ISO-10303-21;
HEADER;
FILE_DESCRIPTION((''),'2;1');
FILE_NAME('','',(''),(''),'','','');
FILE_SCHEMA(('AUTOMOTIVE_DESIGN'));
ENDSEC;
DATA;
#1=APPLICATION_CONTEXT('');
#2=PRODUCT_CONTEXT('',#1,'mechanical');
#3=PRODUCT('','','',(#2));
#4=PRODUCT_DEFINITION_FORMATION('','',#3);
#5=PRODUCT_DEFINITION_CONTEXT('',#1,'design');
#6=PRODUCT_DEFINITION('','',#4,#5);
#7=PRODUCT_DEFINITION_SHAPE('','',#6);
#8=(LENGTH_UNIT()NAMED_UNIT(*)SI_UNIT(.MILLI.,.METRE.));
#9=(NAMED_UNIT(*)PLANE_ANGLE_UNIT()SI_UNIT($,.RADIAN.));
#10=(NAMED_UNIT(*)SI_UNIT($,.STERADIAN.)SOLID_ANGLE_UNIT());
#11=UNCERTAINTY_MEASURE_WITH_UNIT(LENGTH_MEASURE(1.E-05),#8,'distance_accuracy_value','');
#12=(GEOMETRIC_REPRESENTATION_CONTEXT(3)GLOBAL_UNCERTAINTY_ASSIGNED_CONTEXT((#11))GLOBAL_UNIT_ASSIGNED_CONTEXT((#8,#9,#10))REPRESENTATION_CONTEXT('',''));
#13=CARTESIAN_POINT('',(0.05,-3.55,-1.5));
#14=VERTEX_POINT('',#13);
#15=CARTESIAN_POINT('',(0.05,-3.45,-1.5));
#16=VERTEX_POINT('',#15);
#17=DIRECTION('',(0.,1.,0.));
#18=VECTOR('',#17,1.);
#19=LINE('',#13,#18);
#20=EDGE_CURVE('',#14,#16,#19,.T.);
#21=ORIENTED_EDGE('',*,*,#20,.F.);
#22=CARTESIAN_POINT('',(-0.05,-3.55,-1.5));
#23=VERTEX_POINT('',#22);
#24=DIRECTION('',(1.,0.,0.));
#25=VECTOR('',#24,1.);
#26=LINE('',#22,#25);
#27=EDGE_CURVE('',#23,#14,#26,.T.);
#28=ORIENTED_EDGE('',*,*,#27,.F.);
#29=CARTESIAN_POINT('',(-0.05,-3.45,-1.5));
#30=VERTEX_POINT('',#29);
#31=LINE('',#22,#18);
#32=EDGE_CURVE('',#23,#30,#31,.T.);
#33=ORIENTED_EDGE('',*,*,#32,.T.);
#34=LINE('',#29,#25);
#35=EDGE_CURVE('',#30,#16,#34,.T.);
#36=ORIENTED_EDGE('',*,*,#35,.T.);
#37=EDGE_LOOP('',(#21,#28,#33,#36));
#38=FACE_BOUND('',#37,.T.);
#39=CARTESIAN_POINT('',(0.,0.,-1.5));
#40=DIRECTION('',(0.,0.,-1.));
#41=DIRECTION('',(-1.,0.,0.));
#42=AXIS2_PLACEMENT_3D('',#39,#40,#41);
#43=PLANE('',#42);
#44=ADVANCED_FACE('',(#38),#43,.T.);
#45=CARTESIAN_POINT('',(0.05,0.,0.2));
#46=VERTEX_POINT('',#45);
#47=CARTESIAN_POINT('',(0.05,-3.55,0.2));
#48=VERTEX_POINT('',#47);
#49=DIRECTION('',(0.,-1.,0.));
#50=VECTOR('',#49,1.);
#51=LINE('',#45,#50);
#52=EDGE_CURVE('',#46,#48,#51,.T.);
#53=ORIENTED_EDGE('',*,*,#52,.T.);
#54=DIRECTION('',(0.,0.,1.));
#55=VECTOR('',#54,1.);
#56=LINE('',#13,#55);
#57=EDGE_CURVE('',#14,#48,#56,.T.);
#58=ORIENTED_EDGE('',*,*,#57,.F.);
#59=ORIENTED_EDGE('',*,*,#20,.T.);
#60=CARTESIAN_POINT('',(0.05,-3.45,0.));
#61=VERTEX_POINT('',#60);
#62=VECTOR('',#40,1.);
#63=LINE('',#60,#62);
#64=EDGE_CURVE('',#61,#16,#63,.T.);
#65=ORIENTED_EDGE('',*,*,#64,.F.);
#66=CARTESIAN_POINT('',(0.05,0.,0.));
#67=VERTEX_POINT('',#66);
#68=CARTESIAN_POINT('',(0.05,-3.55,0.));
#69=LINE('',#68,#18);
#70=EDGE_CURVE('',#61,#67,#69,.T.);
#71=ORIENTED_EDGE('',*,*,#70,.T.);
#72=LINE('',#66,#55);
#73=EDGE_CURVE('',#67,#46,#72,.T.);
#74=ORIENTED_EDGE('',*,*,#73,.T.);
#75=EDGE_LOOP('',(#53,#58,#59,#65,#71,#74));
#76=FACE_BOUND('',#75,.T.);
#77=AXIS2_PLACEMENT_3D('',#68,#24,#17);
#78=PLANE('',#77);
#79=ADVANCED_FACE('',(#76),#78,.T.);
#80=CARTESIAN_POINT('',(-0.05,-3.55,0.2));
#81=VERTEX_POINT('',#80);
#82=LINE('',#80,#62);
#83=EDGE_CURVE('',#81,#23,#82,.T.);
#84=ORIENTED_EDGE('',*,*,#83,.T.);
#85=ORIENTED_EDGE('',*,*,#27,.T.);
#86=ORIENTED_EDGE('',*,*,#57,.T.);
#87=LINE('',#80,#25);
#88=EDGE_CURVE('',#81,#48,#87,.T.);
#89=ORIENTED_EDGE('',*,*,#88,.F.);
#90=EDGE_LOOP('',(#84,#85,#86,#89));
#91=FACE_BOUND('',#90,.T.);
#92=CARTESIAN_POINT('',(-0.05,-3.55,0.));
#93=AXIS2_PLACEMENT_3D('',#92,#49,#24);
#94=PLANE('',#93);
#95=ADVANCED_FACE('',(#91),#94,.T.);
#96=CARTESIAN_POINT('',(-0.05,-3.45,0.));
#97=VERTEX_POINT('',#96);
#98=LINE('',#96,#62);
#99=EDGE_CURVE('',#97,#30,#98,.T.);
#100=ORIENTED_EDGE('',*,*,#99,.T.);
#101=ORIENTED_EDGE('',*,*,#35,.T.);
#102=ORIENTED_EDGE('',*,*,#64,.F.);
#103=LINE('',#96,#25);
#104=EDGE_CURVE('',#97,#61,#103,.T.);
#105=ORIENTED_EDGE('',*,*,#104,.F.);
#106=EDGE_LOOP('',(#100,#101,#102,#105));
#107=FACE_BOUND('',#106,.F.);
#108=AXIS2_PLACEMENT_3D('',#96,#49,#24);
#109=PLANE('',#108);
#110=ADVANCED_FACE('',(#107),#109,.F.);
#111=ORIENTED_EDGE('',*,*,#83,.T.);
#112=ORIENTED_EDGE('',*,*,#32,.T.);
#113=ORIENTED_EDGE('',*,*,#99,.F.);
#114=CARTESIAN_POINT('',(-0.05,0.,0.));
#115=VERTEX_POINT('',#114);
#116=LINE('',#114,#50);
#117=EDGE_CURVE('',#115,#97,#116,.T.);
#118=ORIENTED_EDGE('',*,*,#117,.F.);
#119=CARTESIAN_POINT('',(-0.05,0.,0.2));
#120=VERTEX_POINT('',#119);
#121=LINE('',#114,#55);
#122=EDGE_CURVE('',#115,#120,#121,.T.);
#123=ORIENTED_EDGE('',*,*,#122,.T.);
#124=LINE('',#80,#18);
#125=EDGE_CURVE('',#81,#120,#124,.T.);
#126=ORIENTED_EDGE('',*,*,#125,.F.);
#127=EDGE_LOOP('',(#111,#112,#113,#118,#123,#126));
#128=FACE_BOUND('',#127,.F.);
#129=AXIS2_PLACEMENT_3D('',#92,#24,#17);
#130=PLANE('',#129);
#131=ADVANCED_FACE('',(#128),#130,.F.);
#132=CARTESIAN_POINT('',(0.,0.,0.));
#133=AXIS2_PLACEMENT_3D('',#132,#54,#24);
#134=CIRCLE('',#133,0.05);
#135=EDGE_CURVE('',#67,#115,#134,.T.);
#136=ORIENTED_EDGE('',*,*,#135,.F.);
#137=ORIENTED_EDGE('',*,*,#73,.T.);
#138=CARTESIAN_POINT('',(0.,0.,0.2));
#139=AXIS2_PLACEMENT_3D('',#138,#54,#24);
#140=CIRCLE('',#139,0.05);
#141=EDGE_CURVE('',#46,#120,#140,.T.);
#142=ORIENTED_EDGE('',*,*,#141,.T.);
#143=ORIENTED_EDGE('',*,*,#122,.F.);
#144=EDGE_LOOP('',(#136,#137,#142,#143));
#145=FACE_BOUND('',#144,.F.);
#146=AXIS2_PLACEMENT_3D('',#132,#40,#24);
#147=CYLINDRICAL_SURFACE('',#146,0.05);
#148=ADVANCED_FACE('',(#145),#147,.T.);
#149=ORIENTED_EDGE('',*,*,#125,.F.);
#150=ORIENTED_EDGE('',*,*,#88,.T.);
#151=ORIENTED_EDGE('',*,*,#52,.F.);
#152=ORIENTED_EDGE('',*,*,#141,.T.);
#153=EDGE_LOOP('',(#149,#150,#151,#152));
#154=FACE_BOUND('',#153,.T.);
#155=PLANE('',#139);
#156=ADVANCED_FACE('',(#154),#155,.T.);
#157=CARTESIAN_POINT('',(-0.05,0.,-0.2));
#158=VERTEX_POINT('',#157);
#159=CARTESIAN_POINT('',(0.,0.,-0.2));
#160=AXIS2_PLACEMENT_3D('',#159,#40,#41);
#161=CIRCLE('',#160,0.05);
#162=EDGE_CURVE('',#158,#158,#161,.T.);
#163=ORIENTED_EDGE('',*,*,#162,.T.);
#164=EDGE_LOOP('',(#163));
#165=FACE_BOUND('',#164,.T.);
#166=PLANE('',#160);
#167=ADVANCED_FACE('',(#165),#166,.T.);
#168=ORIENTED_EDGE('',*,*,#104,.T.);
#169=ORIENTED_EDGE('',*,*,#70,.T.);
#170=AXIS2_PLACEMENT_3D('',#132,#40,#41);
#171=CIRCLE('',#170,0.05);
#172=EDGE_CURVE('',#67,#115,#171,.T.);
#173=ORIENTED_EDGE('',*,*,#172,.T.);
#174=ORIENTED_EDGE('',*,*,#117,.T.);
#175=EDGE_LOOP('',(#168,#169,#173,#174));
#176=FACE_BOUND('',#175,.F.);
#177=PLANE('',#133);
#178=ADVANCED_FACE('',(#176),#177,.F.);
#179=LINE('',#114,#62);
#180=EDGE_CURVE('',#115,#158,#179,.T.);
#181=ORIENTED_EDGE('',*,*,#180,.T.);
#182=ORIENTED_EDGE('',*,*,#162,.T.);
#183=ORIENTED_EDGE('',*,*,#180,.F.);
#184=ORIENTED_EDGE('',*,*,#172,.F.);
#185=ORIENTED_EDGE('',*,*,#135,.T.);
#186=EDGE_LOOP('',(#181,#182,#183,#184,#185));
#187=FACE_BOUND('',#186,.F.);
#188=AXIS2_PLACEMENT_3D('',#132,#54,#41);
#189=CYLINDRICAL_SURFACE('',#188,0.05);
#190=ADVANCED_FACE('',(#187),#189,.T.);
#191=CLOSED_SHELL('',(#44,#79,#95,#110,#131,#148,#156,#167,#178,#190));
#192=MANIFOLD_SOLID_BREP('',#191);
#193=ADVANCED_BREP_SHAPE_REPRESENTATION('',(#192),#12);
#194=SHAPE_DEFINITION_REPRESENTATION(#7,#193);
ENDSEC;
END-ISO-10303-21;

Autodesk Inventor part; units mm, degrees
ref_plane "YZ Plane" through (0, 0, 0) normal (1, 0, 0) x (0, 1, 0)
ref_plane "XZ Plane" through (0, 0, 0) normal (0, 1, 0) x (-1, 0, 0)
ref_plane "XY Plane" through (0, 0, 0) normal (0, 0, 1) x (1, 0, 0)
sketch "Sketch1" plane through (0, 0, 0) normal (0, 0, 1) x (1, 0, 0)
  circle A0 centre (0, 0) radius 0.05
  line L0 (0, 0) -> (0, -3.5)
  line L1 (-0.05, -3.55) -> (0.05, -3.55)
  line L2 (0.05, -3.55) -> (0.05, -3.45)
  line L3 (0.05, -3.45) -> (-0.05, -3.45)
  line L4 (-0.05, -3.45) -> (-0.05, -3.55)
  line L5 (-0.05, -3.55) -> (0.05, -3.45) construction
  line L6 (0.05, -3.55) -> (-0.05, -3.45) construction
  line L7 (0.05, -3.45) -> (0.05, 0)
  line L8 (-0.05, -3.45) -> (-0.05, 0)
  dimension "d0" = 0.1
  dimension "d1" = 3.5
  dimension "d2" = 0.1
  dimension "d3" = 0.1
extrude "Extrusion1" add sketch "Sketch1" along normal blind 0.2
sketch "Sketch2" plane through (0, 0, 0) normal (0, 0, -1) x (-1, 0, 0)
  circle A0 centre (0, 0) radius 0.05
  dimension "d6" = 0.1
extrude "Extrusion2" add sketch "Sketch2" along normal blind 0.2
sketch "Sketch3" plane through (0, 0, 0) normal (0, 0, -1) x (-1, 0, 0)
  line L0 (0.05, -3.55) -> (-0.05, -3.55) projected
  line L1 (-0.05, -3.55) -> (0.05, -3.55)
  line L2 (0.05, -3.55) -> (0.05, -3.45)
  line L3 (0.05, 0) -> (0.05, -3.55) projected
  line L4 (0.05, -3.45) -> (-0.05, -3.45)
  line L5 (-0.05, -3.55) -> (-0.05, 0) projected
  line L6 (-0.05, -3.45) -> (-0.05, -3.55)
  point P0 (0, 0)
  dimension "d9" = 0.1
extrude "Extrusion3" add sketch "Sketch3" along normal blind 1.5
properties part number "Bone15_14_Fix"
